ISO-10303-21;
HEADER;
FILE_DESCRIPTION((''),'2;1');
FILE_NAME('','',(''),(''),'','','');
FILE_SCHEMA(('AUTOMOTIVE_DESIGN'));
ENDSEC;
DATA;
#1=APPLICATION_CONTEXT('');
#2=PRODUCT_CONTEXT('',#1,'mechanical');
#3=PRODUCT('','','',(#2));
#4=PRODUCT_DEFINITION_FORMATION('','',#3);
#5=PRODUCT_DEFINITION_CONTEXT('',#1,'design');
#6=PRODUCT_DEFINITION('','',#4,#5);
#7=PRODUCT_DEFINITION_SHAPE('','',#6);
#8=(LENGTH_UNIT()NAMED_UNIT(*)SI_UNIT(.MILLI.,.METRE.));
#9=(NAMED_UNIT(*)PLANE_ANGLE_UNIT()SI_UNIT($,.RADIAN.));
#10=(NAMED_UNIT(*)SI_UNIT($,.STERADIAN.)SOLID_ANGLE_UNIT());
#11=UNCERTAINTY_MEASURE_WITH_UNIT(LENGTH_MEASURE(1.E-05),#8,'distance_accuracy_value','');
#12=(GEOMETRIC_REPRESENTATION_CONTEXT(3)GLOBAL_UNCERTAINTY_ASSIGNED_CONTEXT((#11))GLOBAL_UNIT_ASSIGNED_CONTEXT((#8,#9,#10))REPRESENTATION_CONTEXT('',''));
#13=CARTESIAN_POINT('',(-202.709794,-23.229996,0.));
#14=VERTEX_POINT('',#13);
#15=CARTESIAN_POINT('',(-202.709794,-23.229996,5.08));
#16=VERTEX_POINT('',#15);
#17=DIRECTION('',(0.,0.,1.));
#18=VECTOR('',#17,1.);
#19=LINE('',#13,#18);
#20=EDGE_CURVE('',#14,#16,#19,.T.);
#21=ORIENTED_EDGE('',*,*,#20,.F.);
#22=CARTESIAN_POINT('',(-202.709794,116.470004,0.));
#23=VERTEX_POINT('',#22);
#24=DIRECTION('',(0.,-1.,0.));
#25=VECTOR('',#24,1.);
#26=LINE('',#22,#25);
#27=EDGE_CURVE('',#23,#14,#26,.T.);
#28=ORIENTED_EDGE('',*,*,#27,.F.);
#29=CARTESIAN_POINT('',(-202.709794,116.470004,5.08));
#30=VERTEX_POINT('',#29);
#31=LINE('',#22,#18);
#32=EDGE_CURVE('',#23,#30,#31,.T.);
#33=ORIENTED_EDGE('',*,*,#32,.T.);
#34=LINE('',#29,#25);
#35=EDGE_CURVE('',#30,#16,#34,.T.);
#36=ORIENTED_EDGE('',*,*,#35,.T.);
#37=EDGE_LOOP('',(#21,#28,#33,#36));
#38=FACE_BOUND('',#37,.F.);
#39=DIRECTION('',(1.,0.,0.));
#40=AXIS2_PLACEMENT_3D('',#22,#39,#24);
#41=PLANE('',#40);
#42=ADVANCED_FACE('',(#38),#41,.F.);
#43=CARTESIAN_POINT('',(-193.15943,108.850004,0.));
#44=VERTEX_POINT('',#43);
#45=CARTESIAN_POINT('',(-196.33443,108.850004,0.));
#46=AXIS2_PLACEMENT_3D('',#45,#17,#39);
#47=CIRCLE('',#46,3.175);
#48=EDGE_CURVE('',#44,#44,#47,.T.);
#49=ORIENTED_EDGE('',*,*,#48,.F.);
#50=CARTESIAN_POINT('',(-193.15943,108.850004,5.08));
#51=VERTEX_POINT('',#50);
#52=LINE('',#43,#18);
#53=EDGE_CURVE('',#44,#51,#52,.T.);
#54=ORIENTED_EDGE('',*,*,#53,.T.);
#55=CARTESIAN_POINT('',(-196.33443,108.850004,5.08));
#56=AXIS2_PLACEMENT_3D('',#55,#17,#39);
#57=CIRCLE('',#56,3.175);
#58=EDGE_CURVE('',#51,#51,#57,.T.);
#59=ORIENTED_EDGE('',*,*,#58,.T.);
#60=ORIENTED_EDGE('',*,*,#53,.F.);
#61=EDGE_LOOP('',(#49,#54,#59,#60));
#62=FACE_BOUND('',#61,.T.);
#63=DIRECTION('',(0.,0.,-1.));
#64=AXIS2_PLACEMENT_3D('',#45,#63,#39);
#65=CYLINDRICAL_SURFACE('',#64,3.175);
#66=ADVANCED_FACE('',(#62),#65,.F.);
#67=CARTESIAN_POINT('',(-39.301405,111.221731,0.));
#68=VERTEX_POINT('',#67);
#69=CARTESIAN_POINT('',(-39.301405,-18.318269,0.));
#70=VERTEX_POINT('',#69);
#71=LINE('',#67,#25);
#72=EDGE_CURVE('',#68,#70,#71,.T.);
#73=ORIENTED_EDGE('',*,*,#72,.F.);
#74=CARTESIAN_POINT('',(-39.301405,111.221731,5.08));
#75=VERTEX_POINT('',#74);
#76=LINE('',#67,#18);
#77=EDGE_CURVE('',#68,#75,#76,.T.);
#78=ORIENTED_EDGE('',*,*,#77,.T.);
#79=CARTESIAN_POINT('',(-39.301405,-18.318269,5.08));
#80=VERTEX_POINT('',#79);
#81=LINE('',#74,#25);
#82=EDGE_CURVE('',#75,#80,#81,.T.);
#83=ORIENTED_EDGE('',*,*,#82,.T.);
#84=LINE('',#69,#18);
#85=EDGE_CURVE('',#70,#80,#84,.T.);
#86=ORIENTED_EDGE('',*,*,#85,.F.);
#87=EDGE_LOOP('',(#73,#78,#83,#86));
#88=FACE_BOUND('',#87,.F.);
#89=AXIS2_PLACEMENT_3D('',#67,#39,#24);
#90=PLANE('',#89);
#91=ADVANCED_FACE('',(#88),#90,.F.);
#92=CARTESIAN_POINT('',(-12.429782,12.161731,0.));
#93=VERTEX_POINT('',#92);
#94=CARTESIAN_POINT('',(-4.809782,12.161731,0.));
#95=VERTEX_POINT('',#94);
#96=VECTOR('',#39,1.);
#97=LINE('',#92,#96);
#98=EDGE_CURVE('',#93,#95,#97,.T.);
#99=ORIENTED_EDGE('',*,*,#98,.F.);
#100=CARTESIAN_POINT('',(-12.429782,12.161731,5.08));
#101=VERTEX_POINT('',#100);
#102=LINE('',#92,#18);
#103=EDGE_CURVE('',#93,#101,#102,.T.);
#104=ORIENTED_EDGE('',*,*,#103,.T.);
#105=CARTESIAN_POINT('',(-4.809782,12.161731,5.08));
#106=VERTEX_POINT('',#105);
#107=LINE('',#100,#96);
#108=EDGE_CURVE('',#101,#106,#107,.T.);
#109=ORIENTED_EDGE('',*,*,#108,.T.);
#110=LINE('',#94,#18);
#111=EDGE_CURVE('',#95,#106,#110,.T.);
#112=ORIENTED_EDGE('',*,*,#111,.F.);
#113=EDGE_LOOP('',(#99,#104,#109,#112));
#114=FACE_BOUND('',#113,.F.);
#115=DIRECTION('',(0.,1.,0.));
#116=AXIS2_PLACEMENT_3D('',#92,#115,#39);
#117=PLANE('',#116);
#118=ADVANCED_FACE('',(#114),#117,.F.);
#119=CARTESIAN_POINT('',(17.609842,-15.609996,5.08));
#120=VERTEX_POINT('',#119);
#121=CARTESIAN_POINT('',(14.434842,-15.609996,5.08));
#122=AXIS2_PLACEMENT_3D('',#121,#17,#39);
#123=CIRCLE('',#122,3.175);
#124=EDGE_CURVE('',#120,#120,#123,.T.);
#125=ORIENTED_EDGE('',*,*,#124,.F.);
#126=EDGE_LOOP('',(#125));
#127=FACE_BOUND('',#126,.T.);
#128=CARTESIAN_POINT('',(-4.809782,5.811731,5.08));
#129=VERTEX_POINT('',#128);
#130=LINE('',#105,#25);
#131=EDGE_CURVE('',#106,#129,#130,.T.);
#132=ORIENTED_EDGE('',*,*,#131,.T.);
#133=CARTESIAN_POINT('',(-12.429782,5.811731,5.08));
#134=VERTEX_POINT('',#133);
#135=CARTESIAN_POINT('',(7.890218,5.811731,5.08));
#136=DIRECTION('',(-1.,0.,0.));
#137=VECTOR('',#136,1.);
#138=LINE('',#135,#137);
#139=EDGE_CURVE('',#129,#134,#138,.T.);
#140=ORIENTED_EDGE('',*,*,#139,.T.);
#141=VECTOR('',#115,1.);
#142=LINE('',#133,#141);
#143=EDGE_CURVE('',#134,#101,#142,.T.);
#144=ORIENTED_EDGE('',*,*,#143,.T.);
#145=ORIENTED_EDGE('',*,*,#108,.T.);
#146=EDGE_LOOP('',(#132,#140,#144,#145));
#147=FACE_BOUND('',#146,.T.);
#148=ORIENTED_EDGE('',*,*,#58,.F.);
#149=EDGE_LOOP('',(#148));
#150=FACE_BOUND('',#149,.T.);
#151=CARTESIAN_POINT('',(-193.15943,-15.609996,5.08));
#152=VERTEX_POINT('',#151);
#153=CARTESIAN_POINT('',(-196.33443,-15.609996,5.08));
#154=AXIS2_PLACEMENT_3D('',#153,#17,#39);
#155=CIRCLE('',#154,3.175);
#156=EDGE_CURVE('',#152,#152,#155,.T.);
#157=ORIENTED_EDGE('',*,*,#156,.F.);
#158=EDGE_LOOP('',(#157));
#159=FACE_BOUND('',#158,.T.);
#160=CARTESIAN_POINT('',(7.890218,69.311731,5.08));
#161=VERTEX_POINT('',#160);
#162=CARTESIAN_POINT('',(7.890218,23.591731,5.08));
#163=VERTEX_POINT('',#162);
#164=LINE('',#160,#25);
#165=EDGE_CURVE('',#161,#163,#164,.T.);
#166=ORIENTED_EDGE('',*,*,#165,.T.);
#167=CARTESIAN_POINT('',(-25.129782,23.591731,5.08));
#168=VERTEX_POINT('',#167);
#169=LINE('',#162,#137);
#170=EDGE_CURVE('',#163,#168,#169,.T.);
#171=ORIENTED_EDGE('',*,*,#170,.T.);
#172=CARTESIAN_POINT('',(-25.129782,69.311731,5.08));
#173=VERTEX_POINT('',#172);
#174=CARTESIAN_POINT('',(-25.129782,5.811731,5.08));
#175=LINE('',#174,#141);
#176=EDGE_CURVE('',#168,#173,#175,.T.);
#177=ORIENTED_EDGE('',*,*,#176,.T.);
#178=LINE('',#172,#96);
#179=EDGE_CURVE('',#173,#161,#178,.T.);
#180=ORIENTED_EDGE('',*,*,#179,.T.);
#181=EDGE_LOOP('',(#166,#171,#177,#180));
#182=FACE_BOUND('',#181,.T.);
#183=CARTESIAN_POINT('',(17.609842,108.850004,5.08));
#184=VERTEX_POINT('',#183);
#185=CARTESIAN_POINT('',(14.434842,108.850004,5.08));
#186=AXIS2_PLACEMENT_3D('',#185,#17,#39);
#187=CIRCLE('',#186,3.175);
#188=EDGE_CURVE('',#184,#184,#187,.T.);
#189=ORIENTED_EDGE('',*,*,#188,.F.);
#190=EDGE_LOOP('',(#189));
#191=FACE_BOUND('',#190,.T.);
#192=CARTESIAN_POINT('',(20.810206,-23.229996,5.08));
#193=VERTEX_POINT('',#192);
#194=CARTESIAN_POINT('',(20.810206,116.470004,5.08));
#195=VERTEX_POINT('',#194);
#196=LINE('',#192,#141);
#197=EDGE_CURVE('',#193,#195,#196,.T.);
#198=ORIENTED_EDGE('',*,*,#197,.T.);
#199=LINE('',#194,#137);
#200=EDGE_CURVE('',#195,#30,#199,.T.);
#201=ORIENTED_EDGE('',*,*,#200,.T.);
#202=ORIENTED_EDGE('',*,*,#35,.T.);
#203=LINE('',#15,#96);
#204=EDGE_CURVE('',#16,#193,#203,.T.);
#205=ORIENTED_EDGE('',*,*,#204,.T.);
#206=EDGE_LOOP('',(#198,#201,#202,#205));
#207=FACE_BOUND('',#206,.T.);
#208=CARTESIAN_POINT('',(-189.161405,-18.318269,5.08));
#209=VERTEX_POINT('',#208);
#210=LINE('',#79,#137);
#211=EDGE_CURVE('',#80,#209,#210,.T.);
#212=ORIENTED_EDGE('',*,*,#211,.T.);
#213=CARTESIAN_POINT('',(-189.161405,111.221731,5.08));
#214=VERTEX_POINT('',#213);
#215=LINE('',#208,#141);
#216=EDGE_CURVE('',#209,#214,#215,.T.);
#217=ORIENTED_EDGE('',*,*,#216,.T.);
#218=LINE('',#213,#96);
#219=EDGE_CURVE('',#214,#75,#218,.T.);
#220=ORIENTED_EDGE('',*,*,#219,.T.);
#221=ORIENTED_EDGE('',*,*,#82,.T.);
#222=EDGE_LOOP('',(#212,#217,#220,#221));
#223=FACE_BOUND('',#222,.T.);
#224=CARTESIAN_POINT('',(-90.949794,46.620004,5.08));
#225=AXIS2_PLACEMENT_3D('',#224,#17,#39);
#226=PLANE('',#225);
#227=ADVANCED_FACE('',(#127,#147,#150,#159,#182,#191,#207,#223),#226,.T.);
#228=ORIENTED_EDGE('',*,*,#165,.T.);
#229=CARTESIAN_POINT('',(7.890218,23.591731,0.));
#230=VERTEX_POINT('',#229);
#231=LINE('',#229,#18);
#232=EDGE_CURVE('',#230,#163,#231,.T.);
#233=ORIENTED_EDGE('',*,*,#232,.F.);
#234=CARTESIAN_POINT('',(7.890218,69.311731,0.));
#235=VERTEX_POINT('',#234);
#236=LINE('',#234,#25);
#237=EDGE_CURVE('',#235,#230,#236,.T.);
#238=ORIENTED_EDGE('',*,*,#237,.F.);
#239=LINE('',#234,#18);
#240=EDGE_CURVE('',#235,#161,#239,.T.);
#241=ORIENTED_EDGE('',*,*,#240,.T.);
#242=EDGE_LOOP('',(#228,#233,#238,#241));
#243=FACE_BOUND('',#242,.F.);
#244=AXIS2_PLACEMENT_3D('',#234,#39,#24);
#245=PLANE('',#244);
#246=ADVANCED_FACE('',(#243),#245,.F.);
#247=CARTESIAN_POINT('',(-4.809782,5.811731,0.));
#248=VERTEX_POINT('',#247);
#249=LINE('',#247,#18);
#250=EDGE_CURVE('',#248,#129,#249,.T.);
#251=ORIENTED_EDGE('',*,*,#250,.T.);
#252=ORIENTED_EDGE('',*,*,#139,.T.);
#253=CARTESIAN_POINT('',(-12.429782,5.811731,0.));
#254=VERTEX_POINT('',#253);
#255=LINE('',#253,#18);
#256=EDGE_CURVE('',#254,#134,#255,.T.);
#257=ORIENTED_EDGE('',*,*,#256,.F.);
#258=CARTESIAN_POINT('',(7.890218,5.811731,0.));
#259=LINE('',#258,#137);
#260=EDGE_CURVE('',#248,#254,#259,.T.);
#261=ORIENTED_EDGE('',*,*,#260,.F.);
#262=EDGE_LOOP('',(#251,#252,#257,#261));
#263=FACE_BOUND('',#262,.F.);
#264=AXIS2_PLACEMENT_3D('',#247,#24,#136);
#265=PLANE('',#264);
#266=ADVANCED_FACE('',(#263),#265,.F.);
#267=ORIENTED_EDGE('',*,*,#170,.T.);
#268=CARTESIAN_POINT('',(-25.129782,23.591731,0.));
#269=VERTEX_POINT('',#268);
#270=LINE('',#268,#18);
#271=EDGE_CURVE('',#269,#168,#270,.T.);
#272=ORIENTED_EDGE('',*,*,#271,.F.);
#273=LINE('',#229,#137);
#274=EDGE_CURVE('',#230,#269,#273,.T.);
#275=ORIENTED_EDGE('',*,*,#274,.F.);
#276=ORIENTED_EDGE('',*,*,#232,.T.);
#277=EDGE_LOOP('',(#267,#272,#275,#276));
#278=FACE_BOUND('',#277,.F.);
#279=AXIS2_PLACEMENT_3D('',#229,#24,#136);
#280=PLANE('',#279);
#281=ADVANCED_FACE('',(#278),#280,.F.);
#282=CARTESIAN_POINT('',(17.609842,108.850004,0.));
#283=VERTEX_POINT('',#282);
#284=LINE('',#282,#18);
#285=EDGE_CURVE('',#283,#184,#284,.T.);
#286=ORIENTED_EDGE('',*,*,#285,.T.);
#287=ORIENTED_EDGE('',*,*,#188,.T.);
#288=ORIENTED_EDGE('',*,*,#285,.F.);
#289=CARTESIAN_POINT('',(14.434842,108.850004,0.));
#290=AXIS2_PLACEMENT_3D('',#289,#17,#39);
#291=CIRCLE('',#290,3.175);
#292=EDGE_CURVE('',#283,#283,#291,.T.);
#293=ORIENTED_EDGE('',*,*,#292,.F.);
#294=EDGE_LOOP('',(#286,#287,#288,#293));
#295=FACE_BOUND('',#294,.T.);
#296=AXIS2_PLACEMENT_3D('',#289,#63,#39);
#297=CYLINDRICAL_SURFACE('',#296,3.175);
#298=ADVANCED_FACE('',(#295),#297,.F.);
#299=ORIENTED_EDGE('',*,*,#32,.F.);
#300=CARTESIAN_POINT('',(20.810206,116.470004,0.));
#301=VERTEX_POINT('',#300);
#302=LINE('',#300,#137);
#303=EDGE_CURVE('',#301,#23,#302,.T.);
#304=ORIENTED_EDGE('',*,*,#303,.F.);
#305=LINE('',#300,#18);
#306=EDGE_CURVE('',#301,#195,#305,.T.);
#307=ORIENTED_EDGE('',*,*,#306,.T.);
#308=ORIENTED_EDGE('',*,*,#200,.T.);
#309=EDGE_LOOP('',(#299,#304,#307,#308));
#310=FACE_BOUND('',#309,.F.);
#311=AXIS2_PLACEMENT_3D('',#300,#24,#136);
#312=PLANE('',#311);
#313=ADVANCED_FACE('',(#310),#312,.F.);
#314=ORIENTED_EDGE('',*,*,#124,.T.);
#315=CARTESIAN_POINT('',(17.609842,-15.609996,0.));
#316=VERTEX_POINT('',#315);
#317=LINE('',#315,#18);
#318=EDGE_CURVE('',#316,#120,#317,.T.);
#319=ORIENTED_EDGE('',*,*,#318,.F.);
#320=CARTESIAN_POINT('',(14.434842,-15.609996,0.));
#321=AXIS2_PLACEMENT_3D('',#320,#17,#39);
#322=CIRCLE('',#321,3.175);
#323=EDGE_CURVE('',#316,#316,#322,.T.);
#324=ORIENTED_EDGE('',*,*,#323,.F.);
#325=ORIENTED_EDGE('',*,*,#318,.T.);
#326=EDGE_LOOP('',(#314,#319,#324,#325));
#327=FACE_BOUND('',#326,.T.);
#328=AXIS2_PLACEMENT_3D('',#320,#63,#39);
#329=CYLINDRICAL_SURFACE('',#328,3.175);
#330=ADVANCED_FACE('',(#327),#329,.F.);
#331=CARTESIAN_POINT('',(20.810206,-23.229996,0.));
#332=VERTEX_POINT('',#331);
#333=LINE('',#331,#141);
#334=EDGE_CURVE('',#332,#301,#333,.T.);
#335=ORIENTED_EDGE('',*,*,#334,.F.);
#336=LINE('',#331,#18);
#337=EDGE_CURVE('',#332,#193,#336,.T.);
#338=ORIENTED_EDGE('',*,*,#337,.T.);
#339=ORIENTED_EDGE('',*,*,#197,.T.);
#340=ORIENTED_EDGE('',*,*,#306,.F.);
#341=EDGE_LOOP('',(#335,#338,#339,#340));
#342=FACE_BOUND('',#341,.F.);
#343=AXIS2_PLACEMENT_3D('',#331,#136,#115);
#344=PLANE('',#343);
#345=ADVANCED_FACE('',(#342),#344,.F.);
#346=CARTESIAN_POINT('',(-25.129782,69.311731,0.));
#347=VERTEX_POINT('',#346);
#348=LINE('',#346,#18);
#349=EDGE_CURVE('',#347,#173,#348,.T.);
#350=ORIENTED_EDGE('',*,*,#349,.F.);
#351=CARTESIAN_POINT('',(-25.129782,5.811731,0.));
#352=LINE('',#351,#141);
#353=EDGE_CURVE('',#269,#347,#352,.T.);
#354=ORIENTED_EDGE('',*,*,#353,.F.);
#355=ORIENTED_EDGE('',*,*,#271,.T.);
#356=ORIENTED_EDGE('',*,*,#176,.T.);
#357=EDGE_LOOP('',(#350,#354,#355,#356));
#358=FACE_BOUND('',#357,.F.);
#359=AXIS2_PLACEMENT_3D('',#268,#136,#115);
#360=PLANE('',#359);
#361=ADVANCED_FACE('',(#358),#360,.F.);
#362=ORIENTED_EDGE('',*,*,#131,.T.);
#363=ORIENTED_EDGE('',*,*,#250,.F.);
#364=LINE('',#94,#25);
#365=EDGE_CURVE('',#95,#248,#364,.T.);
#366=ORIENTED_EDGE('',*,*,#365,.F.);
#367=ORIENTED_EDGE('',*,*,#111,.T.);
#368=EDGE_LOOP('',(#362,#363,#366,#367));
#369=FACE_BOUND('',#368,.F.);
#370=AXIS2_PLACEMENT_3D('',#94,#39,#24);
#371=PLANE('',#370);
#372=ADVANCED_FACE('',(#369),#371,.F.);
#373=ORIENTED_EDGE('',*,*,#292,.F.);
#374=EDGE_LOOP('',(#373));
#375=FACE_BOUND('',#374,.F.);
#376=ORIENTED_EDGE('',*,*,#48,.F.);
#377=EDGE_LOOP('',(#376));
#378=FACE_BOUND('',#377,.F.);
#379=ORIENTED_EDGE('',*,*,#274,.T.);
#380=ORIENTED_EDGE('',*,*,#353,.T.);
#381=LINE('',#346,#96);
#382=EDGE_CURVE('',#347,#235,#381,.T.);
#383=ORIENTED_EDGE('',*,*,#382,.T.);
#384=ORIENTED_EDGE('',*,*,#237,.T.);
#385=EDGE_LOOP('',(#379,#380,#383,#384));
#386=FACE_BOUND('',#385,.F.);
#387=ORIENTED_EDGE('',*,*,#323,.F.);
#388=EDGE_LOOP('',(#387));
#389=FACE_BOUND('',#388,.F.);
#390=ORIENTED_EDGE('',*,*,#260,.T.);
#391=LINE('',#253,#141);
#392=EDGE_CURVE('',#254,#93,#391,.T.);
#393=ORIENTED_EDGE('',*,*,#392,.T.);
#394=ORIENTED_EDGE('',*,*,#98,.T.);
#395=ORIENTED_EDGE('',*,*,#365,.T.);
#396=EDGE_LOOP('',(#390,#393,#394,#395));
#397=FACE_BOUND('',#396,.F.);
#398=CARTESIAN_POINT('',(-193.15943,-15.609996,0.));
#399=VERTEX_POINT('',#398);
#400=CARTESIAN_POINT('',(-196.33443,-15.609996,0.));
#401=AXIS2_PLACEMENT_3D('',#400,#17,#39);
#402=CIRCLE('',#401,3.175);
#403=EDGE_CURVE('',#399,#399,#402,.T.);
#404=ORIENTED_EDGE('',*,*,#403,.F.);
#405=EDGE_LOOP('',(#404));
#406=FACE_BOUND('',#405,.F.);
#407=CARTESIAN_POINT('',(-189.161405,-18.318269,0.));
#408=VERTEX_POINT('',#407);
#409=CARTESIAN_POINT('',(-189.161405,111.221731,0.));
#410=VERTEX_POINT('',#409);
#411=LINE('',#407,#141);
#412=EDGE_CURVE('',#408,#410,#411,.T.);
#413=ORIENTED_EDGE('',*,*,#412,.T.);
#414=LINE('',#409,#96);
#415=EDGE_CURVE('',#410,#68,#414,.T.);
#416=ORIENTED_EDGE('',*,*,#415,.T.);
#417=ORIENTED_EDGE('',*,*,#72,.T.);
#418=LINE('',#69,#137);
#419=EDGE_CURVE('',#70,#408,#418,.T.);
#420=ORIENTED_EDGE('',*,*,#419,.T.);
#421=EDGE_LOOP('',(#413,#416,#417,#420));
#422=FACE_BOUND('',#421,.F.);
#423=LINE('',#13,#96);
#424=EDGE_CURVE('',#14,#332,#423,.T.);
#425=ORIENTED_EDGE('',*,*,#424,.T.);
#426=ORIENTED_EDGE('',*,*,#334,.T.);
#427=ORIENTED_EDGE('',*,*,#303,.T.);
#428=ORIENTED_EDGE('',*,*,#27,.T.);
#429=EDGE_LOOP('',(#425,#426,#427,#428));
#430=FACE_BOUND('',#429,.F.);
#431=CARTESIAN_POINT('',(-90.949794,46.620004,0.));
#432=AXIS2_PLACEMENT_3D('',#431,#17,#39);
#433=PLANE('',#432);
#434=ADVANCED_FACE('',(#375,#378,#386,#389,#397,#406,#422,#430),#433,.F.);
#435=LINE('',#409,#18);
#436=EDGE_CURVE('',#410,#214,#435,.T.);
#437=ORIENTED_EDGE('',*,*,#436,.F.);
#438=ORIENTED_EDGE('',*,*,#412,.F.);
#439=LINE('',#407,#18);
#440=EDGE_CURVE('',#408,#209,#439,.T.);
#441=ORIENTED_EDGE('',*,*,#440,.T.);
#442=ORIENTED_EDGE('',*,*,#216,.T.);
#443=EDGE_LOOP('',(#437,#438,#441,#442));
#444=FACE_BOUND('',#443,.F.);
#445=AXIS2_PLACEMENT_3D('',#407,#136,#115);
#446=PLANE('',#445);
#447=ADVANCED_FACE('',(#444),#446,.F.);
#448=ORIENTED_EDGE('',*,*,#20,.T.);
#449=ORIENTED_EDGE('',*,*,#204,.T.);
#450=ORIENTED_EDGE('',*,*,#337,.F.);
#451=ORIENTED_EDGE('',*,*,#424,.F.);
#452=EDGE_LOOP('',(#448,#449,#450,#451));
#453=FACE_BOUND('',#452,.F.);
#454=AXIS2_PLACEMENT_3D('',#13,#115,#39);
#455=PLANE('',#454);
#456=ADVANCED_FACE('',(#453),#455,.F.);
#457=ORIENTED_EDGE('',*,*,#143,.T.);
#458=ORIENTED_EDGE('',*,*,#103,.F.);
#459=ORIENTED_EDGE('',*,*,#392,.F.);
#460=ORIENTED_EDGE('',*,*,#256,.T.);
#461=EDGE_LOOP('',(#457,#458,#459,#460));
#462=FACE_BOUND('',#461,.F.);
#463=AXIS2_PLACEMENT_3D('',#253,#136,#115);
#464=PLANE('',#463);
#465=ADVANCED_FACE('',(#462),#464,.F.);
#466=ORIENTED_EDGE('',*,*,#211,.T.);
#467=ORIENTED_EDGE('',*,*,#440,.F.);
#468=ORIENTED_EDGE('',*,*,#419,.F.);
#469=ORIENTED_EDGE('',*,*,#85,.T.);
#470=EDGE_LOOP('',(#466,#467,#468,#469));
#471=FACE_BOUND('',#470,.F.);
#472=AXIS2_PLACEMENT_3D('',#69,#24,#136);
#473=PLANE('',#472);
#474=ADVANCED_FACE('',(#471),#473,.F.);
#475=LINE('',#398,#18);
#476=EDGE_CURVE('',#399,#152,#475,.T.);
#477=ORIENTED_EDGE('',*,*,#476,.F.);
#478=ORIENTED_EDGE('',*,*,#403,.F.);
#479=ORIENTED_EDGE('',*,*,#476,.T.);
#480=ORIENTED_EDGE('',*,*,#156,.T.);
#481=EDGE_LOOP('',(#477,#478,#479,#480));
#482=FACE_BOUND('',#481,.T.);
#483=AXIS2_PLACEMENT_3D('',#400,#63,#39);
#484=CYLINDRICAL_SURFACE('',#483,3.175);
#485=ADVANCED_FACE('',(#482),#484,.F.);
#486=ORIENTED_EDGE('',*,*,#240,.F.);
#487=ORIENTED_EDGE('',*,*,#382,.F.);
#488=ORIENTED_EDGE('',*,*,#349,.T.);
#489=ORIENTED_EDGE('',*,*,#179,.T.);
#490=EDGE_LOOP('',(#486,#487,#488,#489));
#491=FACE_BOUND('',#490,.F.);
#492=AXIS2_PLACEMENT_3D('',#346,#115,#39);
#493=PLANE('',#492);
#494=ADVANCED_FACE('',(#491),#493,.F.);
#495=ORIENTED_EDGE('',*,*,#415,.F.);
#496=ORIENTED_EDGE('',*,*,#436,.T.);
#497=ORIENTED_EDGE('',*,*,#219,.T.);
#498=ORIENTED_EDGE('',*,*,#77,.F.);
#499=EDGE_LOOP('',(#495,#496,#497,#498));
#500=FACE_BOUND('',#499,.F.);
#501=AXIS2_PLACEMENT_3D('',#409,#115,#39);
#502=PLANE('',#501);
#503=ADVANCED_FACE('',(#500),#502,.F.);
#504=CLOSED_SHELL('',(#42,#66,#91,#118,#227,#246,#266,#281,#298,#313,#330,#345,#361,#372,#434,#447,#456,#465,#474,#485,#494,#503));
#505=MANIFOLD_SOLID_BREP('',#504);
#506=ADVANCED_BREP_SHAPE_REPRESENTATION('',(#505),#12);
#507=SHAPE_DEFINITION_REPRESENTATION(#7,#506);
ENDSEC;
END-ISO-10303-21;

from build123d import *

# Parameters (mm, degrees)
F0_R     = 3.175
F1_DEPTH = 5.08


with BuildPart() as f1:
    # F0 (on Top) → F1 (new body)
    with BuildSketch(Plane.XY):
        Polygon((-196.7800016522, 116.4700038791), (-196.7814051471, 116.4700038791), (-202.7097940445, 116.4700038791), (-202.7097940445, 108.8500038791), (-202.7097940445, 101.2300038791), (-202.7097940445, -23.2299961209), (-196.7800016522, -23.2299961209), (20.8102059555, -23.2299961209), (20.8102059555, 116.4700038791), (15.3085948529, 116.4700038791), (-35.4914051471, 116.4700038791), (-39.3014051471, 116.4700038791), (-90.9497940445, 116.4700038791), (-187.4697940445, 116.4700038791), (-189.1614051471, 116.4700038791), (-195.0897940445, 116.4700038791), align=None)
        with Locations((-196.3344303894, -15.6099961209)):
            Circle(F0_R, mode=Mode.SUBTRACT)
        Polygon((-189.1614051471, -18.3182691255), (-189.1614051471, 111.2217308745), (-189.1583133745, 111.2217308745), (-39.3014051471, 111.2217308745), (-39.3014051471, -18.3182691255), align=None, mode=Mode.SUBTRACT)
        with Locations((14.4348423004, -15.6099961209)):
            Circle(F0_R, mode=Mode.SUBTRACT)
        Polygon((-25.1297818765, 23.5917308745), (-25.1297818765, 69.3117308745), (7.8902181235, 69.3117308745), (7.8902181235, 23.5917308745), (7.8902181235, 5.8117308745), (-4.8097818765, 5.8117308745), (-8.6197818765, 5.8117308745), (-12.4297818765, 5.8117308745), (-25.1297818765, 5.8117308745), align=None, mode=Mode.SUBTRACT)
        with Locations((-196.3344303894, 108.8500038791)):
            Circle(F0_R, mode=Mode.SUBTRACT)
        with Locations((14.4348423004, 108.8500038791)):
            Circle(F0_R, mode=Mode.SUBTRACT)
        Polygon((7.8902181235, 23.5917308745), (-25.1297818765, 23.5917308745), (-25.1297818765, 5.8117308745), (-12.4297818765, 5.8117308745), (-12.4297818765, 12.1617308745), (-4.8097818765, 12.1617308745), (-4.8097818765, 5.8117308745), (7.8902181235, 5.8117308745), align=None)
    extrude(amount=F1_DEPTH)


solid = f1.part
